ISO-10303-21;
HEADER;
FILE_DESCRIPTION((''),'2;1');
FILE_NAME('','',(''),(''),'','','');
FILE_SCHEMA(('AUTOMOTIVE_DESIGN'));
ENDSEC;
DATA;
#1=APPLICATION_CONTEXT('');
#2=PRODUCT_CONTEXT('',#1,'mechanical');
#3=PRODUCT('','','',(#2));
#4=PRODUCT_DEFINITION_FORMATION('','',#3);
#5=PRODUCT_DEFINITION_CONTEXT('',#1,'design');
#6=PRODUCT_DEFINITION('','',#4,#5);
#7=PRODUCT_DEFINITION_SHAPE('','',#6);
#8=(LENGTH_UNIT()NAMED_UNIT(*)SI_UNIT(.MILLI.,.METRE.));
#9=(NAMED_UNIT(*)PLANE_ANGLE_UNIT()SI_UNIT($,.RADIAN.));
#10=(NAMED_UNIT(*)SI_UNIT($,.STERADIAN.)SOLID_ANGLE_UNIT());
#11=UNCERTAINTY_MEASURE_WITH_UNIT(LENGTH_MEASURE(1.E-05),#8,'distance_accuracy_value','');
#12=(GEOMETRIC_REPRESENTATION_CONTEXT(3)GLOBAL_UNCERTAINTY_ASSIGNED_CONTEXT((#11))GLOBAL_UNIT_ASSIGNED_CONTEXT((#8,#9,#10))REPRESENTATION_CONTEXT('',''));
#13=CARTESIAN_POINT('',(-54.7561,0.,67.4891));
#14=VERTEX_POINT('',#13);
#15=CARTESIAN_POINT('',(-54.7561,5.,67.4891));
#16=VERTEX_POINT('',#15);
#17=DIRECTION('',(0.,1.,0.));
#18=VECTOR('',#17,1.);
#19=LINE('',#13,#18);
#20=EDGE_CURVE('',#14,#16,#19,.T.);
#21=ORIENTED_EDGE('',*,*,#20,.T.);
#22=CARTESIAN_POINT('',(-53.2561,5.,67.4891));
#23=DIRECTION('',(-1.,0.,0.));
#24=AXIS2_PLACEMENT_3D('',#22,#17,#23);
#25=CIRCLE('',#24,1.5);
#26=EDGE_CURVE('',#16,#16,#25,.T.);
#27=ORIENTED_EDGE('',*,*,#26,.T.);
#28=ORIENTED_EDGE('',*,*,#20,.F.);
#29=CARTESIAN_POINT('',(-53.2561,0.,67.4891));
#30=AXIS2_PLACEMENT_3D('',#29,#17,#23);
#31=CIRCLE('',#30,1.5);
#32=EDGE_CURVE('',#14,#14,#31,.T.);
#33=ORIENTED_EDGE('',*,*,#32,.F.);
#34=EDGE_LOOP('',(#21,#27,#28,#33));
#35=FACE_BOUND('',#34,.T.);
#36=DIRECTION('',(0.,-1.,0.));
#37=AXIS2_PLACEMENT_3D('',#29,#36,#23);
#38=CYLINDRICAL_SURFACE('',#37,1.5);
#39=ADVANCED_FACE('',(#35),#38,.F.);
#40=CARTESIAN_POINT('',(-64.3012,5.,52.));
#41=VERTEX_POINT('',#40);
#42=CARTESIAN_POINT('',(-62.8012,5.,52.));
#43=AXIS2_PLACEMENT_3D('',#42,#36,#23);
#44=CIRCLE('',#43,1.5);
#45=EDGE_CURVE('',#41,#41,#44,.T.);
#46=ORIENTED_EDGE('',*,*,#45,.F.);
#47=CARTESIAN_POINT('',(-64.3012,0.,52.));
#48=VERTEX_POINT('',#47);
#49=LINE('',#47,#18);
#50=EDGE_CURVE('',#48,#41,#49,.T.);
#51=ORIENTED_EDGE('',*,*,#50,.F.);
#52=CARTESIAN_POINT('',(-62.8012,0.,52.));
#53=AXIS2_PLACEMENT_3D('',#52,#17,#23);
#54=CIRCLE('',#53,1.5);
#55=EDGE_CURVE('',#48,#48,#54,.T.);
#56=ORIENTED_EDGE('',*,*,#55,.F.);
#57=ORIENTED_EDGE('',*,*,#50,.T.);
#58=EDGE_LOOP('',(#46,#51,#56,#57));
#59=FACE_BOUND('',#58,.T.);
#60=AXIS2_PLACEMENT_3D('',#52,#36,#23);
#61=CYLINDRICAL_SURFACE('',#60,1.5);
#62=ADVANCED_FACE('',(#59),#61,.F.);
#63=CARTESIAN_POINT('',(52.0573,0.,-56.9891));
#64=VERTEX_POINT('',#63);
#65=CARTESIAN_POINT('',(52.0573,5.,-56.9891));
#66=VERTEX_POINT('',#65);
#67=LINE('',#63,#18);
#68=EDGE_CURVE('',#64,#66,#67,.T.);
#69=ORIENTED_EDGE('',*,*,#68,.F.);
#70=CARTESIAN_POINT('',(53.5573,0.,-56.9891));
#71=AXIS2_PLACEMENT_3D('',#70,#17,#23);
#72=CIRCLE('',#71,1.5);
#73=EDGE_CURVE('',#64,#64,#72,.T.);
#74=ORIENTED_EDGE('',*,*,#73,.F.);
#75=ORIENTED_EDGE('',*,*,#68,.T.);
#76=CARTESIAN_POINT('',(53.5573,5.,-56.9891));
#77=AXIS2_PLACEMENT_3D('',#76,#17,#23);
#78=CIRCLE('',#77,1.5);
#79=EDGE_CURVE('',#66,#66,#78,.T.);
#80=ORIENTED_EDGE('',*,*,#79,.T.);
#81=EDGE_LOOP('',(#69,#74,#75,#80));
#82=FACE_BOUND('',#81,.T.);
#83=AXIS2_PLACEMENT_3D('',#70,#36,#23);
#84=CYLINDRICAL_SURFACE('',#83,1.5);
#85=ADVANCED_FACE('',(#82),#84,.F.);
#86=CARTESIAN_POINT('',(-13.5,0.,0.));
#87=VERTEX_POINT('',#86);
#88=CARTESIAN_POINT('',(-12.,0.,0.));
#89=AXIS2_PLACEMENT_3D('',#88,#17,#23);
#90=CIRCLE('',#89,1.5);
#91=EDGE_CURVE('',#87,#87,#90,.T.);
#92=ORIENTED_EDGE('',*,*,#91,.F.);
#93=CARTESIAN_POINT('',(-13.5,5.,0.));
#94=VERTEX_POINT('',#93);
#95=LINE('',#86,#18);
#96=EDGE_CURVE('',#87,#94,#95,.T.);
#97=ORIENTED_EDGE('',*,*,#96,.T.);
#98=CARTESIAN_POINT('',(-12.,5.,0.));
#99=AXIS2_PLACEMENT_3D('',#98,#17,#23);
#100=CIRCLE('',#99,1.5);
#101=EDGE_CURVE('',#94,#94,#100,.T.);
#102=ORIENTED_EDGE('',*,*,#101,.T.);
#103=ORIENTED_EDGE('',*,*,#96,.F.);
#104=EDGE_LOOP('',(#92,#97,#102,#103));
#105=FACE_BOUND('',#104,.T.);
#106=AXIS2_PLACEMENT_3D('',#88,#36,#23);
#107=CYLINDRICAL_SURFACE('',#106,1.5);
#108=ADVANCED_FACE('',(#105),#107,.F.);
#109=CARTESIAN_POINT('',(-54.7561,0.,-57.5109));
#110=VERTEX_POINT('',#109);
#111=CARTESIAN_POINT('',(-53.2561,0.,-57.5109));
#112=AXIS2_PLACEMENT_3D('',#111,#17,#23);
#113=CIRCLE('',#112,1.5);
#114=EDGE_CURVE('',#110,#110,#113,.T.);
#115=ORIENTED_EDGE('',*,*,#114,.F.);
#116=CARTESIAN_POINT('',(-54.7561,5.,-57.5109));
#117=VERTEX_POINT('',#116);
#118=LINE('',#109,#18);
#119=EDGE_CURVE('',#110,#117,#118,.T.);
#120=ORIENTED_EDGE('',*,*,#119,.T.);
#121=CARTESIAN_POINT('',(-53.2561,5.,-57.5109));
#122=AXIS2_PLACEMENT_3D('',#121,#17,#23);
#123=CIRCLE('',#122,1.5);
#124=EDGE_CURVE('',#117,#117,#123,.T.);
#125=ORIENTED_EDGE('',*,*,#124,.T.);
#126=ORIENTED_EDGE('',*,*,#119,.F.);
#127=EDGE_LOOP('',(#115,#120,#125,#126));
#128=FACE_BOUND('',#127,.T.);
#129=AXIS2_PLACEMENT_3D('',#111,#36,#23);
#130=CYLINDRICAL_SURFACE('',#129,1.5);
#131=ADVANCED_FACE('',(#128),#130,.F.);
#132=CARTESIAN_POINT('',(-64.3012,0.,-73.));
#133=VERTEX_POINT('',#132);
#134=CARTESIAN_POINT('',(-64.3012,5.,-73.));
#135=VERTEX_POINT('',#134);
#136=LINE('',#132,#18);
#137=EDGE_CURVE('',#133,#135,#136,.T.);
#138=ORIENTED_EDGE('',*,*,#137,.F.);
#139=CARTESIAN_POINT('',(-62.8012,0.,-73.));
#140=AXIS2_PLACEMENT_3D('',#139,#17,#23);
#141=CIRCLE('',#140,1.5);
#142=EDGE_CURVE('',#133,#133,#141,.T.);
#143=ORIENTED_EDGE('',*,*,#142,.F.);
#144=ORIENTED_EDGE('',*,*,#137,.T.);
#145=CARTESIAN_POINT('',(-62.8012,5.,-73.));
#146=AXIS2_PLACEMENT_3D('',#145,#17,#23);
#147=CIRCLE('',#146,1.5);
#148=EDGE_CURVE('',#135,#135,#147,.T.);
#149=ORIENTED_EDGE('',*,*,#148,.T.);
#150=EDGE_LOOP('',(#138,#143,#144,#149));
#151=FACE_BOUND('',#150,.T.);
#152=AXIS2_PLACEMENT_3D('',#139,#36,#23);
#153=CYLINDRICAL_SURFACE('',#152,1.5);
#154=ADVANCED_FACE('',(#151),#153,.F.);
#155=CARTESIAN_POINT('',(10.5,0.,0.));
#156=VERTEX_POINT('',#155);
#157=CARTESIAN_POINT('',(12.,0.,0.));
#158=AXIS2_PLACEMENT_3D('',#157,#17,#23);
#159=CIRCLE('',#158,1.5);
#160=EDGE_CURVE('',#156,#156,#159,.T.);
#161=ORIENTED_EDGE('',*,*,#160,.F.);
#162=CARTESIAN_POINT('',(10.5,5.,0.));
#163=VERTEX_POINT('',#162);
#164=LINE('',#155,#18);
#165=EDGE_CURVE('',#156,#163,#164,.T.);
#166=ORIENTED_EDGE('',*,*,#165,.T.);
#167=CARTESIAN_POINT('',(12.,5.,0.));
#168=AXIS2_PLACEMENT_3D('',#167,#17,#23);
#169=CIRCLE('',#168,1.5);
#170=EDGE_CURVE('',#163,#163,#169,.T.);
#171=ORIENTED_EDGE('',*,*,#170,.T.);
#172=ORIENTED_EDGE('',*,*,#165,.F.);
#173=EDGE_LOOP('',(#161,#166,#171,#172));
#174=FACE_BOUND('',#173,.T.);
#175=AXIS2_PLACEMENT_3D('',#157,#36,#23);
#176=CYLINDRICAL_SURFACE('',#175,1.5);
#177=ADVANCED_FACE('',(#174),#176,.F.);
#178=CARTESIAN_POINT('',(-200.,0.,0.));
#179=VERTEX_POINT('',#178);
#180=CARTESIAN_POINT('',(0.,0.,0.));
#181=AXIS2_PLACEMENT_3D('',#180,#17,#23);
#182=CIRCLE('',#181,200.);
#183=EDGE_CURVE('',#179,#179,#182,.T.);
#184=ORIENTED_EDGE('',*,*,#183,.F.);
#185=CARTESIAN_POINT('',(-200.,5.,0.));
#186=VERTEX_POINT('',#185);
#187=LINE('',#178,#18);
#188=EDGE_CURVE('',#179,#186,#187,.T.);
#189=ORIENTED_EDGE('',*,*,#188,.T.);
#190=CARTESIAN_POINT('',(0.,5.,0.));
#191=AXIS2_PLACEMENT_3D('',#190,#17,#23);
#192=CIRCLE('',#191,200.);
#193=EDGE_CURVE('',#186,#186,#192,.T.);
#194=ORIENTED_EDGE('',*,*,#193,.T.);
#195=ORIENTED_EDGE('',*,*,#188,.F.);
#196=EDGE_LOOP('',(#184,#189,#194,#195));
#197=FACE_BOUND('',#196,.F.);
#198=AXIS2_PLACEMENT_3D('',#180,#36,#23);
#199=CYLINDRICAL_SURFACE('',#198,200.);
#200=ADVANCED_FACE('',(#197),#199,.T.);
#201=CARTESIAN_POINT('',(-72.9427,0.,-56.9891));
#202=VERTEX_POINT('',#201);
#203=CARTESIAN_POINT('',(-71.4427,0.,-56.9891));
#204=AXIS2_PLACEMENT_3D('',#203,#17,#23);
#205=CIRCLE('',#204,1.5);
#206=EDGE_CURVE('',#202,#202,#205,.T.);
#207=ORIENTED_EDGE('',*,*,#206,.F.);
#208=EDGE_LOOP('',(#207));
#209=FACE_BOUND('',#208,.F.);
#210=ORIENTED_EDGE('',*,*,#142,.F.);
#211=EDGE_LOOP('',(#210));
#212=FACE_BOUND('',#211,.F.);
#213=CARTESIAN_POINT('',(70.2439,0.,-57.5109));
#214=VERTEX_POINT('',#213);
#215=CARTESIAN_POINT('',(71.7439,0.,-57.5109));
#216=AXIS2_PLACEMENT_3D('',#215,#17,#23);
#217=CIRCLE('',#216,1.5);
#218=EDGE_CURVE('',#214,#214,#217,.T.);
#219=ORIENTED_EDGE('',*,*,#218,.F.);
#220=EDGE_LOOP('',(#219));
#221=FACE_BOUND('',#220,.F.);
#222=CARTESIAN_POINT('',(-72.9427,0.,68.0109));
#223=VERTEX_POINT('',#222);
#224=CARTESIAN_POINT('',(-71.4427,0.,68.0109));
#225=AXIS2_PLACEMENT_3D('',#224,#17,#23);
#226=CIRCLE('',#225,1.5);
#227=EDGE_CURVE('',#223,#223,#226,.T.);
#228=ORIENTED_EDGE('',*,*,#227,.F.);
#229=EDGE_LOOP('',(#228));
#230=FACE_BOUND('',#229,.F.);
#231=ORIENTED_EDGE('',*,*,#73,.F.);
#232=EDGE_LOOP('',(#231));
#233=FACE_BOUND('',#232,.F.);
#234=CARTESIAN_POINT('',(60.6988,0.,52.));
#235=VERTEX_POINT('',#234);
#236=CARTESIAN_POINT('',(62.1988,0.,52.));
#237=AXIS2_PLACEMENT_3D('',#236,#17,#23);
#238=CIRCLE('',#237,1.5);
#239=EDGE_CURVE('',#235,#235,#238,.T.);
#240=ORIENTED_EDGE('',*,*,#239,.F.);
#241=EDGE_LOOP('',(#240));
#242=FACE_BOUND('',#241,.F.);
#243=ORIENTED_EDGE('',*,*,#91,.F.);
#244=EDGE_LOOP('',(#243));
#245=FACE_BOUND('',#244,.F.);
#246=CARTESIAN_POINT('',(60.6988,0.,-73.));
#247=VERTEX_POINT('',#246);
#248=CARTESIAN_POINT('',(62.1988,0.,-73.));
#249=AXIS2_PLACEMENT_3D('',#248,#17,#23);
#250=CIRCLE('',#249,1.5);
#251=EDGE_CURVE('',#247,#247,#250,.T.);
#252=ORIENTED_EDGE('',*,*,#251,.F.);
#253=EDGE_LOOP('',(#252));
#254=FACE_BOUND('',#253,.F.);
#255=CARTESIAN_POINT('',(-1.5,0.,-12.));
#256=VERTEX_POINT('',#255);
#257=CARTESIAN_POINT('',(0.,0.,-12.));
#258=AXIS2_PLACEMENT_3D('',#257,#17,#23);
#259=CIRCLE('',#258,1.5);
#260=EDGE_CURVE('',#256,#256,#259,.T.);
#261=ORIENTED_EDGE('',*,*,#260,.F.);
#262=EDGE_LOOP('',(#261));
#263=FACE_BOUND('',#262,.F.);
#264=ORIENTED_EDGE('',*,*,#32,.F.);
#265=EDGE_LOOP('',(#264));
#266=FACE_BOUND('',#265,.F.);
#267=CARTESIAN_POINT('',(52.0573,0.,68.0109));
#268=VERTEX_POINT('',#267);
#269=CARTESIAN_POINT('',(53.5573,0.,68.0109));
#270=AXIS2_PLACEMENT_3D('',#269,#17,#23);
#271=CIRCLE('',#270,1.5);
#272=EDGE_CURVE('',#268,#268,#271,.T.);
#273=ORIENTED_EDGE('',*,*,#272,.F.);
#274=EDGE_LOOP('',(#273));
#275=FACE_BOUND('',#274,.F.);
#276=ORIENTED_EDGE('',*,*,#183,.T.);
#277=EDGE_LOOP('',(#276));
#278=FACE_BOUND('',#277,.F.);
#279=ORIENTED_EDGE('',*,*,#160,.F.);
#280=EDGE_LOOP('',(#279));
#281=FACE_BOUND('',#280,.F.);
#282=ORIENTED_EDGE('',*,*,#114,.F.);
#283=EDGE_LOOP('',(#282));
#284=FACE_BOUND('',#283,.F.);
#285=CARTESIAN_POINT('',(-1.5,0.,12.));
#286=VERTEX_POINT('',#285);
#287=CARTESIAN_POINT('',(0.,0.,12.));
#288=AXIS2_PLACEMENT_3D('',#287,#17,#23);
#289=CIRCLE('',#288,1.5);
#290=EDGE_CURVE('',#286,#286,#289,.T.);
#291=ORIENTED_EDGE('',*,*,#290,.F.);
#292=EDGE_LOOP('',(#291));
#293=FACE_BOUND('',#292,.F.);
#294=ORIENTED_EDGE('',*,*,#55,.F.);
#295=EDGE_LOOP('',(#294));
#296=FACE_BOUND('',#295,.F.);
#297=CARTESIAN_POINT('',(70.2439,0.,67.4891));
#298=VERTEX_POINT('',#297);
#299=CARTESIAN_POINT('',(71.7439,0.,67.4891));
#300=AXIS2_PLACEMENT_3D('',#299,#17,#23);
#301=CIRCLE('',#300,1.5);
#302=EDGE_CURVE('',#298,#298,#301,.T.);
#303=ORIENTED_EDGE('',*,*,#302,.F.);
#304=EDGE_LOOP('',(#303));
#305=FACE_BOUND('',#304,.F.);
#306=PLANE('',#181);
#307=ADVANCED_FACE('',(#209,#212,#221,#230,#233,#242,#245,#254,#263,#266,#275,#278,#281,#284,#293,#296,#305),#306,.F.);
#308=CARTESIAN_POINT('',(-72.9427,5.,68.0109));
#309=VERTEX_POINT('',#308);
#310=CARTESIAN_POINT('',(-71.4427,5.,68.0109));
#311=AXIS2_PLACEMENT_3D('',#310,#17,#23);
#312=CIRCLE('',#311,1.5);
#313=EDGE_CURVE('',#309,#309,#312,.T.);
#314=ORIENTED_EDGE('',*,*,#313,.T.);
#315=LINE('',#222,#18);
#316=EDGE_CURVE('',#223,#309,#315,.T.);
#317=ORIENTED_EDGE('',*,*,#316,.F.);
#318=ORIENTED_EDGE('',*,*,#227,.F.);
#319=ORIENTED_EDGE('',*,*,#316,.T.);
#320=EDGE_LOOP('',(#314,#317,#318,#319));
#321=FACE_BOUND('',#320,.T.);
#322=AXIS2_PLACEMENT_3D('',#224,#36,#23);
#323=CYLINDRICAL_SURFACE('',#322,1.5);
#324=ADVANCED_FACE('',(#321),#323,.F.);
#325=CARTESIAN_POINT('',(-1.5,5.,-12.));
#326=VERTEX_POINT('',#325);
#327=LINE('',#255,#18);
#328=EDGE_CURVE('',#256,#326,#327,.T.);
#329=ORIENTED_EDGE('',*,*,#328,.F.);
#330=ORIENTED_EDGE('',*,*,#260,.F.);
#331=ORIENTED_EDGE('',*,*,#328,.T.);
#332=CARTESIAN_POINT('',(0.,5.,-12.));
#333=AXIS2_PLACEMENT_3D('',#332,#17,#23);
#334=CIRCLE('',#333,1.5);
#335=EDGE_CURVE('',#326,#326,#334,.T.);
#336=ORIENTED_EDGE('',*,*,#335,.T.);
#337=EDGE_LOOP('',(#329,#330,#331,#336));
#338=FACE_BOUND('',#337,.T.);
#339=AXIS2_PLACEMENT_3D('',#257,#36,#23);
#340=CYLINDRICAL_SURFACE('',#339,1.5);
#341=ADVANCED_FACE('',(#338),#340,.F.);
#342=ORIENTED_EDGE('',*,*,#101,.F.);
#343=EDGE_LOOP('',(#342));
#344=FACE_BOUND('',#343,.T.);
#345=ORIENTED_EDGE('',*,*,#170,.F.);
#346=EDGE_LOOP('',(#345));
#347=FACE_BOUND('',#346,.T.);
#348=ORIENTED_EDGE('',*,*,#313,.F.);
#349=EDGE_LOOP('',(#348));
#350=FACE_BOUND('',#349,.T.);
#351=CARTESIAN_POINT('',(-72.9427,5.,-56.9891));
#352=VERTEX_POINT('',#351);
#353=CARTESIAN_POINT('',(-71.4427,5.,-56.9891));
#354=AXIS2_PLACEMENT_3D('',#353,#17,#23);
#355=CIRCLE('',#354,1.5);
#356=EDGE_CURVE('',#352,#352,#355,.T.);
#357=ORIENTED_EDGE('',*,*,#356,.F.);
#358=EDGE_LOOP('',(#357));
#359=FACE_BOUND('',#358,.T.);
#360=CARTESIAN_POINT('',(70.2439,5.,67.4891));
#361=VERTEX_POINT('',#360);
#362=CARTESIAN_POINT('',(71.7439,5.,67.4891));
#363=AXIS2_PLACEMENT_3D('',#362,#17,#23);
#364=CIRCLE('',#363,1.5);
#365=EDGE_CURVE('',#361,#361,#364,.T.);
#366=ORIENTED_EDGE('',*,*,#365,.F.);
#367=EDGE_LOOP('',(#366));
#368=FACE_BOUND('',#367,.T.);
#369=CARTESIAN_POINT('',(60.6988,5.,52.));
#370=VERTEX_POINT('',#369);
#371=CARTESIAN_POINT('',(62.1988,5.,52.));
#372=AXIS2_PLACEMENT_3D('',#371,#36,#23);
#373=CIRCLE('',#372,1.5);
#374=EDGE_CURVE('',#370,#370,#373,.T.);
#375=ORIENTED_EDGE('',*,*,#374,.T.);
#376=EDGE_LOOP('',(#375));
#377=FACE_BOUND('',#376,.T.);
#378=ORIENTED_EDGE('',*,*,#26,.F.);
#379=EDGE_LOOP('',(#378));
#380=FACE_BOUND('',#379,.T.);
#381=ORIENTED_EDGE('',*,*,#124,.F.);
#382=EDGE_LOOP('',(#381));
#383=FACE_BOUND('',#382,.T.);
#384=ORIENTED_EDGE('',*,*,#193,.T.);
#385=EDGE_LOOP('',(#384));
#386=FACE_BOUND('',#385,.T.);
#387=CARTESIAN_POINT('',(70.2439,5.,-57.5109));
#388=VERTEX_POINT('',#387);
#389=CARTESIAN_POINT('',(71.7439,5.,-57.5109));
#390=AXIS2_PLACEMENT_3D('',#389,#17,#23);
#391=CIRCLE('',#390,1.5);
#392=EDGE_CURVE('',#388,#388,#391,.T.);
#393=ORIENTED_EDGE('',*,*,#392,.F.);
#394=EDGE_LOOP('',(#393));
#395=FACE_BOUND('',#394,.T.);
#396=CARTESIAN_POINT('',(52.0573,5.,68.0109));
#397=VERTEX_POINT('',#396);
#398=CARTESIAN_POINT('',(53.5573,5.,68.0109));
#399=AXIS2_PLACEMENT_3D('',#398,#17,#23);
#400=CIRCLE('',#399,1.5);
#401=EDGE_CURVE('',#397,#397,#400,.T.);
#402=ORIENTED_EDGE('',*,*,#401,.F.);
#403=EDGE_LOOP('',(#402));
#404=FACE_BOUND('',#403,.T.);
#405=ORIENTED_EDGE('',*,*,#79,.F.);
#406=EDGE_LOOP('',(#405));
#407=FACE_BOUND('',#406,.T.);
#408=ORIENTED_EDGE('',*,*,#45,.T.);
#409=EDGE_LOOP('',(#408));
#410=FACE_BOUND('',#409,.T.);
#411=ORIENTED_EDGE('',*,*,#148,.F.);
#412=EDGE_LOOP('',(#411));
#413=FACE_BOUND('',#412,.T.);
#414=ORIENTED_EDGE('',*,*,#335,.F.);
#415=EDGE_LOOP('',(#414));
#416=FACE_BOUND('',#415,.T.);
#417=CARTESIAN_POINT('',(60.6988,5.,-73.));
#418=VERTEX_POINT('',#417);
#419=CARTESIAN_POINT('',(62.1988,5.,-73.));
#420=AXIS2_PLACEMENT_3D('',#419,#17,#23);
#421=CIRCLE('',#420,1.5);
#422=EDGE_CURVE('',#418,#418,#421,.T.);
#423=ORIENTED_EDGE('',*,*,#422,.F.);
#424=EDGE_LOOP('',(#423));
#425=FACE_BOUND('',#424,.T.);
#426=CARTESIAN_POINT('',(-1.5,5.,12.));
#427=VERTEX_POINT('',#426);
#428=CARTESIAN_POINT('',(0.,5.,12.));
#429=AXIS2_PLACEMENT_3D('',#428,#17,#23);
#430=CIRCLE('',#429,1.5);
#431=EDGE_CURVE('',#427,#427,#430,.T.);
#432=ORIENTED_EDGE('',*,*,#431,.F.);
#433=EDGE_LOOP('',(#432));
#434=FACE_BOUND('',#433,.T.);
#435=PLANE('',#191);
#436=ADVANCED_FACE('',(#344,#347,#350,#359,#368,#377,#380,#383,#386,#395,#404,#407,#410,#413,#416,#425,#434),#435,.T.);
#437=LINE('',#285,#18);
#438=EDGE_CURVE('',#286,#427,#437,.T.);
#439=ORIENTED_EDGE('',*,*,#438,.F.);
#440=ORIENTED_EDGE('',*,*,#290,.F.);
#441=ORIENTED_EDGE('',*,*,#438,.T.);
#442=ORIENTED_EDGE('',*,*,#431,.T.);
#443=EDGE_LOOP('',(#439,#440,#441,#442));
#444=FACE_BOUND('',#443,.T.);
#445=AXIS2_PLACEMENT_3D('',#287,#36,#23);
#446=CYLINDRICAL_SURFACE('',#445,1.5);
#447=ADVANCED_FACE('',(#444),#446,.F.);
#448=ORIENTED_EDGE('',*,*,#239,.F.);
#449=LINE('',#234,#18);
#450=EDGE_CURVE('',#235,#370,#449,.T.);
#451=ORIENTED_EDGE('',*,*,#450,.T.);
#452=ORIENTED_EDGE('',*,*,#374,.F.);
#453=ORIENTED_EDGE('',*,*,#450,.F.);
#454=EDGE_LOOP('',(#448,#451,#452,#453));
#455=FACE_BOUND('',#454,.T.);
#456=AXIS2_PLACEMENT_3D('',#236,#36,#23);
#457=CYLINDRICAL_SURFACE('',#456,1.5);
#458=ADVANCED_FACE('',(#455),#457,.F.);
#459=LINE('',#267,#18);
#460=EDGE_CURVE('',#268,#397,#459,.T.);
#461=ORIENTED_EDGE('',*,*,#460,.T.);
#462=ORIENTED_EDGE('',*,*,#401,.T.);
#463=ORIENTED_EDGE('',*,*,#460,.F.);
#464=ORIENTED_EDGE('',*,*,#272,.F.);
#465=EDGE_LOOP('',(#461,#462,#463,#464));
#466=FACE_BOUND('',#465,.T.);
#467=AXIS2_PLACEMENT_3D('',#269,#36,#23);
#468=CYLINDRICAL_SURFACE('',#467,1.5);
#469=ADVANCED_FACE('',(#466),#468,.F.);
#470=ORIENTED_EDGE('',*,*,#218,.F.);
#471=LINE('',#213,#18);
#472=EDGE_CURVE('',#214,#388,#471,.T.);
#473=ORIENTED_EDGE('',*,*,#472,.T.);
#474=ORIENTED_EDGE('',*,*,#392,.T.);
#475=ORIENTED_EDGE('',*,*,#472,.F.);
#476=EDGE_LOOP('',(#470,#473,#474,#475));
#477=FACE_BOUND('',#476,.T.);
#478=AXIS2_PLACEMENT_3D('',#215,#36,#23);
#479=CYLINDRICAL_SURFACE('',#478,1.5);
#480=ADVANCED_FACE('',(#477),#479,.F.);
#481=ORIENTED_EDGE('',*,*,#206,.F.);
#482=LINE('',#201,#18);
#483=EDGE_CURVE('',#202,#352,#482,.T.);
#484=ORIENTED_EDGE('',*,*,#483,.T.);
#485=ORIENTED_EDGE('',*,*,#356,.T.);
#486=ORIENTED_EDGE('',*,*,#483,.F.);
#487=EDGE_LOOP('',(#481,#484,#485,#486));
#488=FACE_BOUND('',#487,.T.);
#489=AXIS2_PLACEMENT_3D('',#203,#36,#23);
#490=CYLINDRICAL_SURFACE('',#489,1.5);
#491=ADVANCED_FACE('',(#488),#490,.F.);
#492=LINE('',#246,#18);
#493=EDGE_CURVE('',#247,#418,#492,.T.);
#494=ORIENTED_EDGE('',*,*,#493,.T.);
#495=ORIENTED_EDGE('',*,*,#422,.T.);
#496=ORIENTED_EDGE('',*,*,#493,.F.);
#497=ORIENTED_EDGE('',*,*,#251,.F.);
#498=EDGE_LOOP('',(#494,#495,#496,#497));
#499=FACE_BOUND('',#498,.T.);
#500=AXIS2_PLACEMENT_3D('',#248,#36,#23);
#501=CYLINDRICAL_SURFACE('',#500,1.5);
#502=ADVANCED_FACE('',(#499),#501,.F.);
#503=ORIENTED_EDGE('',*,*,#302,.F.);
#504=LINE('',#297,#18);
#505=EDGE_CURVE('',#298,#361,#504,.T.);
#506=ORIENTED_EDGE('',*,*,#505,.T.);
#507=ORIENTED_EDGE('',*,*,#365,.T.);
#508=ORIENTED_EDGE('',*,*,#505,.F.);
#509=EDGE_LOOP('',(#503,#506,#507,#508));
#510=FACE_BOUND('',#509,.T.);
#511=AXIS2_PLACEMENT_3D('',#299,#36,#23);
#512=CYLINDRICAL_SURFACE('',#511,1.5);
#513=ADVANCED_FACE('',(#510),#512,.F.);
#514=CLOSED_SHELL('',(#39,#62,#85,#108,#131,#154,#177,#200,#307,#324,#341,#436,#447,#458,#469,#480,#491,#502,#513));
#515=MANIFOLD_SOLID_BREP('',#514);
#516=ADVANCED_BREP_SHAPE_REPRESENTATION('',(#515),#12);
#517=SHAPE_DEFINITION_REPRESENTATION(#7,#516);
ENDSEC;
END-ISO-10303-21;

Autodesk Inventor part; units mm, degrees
ref_plane "YZ Plane" through (0, 0, 0) normal (1, 0, 0) x (0, 1, 0)
ref_plane "XZ Plane" through (0, 0, 0) normal (0, 1, 0) x (-1, 0, 0)
ref_plane "XY Plane" through (0, 0, 0) normal (0, 0, 1) x (1, 0, 0)
sketch "Sketch1" plane through (0, 0, 0) normal (0, 1, 0) x (-1, 0, 0)
  circle A0 centre (0, 0) radius 200
  circle A1 centre (-62.1988, 52) radius 1.5
  circle A2 centre (-71.7439, 67.4891) radius 1.5
  circle A3 centre (-62.5, 62.5) radius 13.5 construction
  circle A4 centre (-53.5573, 68.0109) radius 1.5
  circle A5 centre (53.2561, 67.4891) radius 1.5
  circle A6 centre (62.8012, 52) radius 1.5
  circle A7 centre (71.4427, 68.0109) radius 1.5
  circle A8 centre (62.5, 62.5) radius 13.5 construction
  circle A9 centre (53.2561, -57.5109) radius 1.5
  circle A10 centre (62.8012, -73) radius 1.5
  circle A11 centre (71.4427, -56.9891) radius 1.5
  circle A12 centre (62.5, -62.5) radius 13.5 construction
  circle A13 centre (-71.7439, -57.5109) radius 1.5
  circle A14 centre (-62.1988, -73) radius 1.5
  circle A15 centre (-53.5573, -56.9891) radius 1.5
  circle A16 centre (-62.5, -62.5) radius 13.5 construction
  line L0 (-62.5, 62.5) -> (62.5, 62.5)
  line L1 (62.5, 62.5) -> (62.5, -62.5)
  line L2 (62.5, -62.5) -> (-62.5, -62.5)
  line L3 (-62.5, -62.5) -> (-62.5, 62.5)
  line L4 (-62.5, 62.5) -> (62.5, -62.5) construction
  line L5 (62.5, 62.5) -> (-62.5, -62.5) construction
  circle A17 centre (0, 0) radius 15 construction
  circle A18 centre (0, 0) radius 4 construction
  line L6 (0, 0) -> (-12, 0) construction
  line L7 (0, 0) -> (0, -12) construction
  circle A19 centre (0, -12) radius 1.5
  circle A20 centre (-12, 0) radius 1.5
  circle A21 centre (12, 0) radius 1.5
  circle A22 centre (0, 12) radius 1.5
  point P0 (-62.5, 62.5)
  point P1 (-62.5, 62.5)
  point P2 (-62.5, 62.5)
  point P3 (62.5, 62.5)
  point P4 (62.5, 62.5)
  point P5 (62.5, 62.5)
  point P6 (62.5, -62.5)
  point P7 (62.5, -62.5)
  point P8 (62.5, -62.5)
  point P9 (-62.5, -62.5)
  point P10 (-62.5, -62.5)
  point P11 (-62.5, -62.5)
  dimension "d0" = 400
  dimension "d5" = 125
  dimension "d6" = 30
  dimension "d7" = 8
  dimension "d8" = 12
  dimension "d9" = 12
  dimension "d10" = 3
  dimension "d11" = 3
extrude "Extrusion1" add sketch "Sketch1" along normal blind 5 contours A0 | A1 L3 L0 L1 A6 L2
properties part number "Base"
